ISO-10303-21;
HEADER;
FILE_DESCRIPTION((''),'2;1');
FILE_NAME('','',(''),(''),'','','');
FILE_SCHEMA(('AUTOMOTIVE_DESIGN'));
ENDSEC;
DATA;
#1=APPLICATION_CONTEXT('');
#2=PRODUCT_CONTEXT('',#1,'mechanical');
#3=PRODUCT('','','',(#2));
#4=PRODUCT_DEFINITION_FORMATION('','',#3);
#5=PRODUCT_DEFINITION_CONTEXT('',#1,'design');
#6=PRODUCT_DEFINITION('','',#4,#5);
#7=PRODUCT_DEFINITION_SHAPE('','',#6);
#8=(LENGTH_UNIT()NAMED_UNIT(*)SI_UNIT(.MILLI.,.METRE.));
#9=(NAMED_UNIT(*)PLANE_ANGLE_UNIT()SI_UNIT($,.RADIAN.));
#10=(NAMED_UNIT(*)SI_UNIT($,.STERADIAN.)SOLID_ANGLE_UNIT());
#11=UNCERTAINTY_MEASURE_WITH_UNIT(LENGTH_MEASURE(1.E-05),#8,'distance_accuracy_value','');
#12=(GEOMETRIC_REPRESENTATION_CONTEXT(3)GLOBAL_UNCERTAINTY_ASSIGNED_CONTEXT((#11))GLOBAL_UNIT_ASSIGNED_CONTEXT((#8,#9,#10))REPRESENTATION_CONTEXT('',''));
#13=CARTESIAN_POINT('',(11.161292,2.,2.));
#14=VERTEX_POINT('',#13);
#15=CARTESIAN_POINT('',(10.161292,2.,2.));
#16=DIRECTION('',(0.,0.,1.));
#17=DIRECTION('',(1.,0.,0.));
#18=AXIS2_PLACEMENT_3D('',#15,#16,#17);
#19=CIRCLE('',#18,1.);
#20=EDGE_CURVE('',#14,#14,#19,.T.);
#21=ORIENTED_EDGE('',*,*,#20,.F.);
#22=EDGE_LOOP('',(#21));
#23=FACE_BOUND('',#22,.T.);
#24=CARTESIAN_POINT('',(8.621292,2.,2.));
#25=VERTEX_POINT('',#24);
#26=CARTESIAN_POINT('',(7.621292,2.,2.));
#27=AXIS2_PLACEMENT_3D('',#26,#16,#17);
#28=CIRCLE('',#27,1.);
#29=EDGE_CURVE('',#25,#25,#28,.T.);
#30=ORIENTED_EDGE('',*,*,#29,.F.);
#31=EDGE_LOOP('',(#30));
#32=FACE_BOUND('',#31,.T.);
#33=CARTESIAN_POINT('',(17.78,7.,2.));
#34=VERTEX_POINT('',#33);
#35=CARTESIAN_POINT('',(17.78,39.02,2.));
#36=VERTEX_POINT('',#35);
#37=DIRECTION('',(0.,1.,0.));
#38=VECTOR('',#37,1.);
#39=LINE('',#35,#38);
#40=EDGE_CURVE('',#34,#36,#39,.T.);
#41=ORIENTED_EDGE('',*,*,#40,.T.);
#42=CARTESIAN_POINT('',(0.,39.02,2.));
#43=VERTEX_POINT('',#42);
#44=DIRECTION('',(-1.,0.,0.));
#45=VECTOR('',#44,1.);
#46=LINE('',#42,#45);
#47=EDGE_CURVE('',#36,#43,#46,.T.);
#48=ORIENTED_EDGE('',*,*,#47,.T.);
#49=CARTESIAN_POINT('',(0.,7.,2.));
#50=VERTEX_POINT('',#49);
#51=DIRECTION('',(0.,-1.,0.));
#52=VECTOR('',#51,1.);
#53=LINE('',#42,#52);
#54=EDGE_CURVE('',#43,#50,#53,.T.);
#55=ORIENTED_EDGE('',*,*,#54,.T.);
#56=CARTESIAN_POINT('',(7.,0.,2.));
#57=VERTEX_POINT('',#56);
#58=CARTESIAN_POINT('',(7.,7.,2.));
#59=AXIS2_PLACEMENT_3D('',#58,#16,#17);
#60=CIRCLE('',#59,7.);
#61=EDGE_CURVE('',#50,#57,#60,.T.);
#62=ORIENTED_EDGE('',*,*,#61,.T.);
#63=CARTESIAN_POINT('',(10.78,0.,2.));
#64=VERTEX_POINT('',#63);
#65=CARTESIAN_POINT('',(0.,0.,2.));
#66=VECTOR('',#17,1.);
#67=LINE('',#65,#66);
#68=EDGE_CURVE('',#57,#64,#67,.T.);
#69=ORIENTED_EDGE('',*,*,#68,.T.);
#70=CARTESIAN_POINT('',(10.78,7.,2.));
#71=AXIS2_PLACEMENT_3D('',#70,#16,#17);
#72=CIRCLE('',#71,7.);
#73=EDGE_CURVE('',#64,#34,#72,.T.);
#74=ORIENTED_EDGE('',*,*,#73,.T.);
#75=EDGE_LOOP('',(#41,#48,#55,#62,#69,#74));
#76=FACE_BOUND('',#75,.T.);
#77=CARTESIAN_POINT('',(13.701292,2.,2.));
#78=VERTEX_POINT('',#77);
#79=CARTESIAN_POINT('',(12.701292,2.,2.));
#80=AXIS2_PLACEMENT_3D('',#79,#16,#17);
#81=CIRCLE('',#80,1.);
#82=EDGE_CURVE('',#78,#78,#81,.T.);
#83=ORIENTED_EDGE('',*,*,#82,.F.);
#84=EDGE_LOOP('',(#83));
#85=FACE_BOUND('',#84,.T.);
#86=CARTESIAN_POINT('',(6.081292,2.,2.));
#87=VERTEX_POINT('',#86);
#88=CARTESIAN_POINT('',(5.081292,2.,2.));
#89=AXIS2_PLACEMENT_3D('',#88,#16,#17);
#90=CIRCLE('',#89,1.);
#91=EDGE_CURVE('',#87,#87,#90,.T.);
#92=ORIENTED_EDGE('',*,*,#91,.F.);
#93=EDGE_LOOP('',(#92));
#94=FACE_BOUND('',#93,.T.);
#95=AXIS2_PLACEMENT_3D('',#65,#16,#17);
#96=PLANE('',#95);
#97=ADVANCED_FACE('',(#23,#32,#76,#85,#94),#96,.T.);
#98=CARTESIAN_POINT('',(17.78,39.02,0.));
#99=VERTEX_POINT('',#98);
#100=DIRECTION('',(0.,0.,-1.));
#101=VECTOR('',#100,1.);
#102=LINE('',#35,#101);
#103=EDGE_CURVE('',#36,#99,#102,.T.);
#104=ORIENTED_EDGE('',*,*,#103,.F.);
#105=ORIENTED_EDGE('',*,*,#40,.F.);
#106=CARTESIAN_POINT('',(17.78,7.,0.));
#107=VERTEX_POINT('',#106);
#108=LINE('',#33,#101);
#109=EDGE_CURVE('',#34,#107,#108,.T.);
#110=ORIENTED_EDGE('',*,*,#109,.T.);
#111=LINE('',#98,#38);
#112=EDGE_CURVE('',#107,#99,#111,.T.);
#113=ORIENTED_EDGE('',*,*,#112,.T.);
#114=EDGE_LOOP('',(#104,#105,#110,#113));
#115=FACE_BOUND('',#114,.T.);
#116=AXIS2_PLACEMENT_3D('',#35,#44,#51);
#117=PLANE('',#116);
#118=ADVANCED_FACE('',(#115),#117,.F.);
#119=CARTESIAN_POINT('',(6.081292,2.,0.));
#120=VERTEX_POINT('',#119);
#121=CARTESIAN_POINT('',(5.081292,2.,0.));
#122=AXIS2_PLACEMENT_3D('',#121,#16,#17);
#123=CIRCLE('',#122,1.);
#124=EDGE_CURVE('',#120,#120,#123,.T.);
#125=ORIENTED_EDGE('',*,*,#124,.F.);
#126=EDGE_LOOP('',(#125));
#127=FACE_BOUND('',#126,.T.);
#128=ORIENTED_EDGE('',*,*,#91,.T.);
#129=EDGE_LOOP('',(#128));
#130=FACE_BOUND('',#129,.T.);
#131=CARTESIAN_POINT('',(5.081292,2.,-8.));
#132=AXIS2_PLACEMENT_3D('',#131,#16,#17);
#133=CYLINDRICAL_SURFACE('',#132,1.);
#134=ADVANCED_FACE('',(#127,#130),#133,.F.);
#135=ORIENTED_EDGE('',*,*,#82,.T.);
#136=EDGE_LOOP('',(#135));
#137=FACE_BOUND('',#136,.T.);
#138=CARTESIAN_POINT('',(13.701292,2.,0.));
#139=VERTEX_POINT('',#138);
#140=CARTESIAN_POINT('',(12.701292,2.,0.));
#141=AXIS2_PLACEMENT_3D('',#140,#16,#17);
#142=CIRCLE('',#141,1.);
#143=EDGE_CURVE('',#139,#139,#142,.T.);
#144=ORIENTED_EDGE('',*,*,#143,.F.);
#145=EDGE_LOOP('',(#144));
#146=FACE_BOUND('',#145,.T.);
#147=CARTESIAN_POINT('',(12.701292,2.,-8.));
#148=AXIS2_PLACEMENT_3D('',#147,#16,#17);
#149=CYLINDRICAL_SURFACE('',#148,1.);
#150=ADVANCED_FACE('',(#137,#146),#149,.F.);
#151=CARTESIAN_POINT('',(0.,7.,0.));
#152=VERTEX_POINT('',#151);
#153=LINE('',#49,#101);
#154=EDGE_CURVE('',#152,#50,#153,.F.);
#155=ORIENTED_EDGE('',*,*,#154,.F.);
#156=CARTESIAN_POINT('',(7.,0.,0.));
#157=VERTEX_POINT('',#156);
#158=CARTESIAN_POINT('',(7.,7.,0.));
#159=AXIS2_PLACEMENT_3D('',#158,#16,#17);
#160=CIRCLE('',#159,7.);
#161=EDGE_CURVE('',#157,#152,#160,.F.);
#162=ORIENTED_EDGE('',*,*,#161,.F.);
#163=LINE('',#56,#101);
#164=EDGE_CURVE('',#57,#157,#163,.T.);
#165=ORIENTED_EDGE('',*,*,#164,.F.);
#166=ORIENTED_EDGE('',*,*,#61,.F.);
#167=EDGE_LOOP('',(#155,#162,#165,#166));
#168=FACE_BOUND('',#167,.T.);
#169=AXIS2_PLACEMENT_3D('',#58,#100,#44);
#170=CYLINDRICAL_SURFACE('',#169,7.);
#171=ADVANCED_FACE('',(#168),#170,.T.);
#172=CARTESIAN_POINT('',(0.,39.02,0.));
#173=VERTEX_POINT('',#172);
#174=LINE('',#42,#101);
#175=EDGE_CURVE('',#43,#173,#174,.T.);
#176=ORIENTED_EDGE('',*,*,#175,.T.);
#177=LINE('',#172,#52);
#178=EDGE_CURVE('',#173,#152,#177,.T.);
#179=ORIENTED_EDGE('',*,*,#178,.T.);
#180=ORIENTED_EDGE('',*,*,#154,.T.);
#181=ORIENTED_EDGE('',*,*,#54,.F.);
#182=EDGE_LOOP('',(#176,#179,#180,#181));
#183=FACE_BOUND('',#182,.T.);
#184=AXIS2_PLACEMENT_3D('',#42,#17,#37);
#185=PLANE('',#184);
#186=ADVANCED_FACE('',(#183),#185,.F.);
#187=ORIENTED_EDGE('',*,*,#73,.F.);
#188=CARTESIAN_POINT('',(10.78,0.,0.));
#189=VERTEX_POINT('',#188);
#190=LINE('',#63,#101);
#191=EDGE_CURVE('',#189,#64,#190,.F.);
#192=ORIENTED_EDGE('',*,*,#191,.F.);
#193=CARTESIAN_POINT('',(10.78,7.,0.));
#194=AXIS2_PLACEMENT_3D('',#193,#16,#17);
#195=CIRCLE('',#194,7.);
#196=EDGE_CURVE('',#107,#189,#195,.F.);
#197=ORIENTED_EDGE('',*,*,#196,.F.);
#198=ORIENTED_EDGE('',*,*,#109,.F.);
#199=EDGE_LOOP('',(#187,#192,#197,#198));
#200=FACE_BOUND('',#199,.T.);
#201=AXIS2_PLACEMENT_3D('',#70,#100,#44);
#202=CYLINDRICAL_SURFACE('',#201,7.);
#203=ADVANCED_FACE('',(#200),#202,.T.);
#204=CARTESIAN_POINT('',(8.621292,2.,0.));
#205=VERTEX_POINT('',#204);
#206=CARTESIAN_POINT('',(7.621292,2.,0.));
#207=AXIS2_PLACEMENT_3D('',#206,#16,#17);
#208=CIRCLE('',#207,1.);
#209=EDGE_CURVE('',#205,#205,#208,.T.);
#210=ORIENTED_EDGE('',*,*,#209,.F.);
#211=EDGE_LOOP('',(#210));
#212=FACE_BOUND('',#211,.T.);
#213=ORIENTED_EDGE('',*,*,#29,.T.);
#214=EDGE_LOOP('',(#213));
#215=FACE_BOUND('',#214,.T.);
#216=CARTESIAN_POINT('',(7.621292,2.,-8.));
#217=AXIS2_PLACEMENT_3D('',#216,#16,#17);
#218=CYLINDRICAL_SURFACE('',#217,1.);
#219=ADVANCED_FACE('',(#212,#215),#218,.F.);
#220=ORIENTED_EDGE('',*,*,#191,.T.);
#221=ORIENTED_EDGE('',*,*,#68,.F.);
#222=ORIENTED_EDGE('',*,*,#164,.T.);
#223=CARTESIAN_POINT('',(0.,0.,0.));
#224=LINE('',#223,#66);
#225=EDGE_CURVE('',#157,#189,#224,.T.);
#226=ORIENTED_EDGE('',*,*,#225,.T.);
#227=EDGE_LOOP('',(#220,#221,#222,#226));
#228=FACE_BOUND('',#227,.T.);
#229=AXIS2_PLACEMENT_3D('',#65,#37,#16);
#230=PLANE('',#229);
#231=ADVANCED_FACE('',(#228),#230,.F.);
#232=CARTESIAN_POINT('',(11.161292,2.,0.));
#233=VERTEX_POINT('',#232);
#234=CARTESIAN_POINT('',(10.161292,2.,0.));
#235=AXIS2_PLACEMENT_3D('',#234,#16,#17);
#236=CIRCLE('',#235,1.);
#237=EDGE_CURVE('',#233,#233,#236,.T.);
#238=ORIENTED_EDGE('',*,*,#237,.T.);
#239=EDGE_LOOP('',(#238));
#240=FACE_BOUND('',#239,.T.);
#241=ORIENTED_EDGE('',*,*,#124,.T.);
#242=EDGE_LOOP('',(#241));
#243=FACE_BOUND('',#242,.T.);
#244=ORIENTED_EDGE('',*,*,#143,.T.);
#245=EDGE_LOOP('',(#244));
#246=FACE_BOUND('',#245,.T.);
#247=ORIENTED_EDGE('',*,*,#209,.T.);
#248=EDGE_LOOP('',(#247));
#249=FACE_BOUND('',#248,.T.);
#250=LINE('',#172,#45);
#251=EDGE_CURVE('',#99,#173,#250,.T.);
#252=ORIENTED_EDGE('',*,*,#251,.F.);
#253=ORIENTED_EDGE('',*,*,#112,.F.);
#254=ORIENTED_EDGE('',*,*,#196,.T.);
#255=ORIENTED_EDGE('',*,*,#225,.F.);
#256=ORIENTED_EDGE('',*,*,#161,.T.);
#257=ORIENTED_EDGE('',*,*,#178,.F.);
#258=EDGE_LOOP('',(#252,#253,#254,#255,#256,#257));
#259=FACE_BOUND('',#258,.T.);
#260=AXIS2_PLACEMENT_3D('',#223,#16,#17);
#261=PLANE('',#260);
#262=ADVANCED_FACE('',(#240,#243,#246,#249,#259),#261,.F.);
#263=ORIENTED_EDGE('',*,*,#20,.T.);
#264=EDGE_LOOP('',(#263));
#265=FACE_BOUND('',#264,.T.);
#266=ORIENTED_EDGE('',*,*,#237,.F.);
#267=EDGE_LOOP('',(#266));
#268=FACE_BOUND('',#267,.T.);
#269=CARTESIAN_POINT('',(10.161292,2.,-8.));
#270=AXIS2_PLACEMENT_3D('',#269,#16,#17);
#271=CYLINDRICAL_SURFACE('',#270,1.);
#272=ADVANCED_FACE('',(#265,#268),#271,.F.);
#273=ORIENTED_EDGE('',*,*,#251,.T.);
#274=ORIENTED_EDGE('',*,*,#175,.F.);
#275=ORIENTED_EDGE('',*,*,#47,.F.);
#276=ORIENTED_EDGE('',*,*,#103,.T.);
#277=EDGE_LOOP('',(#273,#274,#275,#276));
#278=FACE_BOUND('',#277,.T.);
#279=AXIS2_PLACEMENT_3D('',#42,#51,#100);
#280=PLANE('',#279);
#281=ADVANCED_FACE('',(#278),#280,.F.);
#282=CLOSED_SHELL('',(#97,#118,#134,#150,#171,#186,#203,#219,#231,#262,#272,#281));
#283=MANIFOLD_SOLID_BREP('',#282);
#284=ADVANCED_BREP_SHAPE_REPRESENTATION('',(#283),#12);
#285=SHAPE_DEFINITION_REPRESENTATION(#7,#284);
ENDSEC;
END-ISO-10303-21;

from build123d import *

# Parameters (mm, degrees)
SKETCH1_W           = 17.78
SKETCH1_H           = 39.02
BOSS_EXTRUDE1_DEPTH = 2
SKETCH2_R           = 1
CUT_EXTRUDE5_DEPTH  = 10
FILLET4_R           = 7


with BuildPart() as part:
    # Sketch1 → Boss-Extrude1 (new body)
    with BuildSketch(Plane.XY):
        with Locations((8.89, 19.51)):
            Rectangle(SKETCH1_W, SKETCH1_H)
    extrude(amount=BOSS_EXTRUDE1_DEPTH)

    # Sketch2 → Cut-Extrude5 (cut)
    with BuildSketch(Plane.XY.offset(2)):
        with Locations((5.081291963, 2)):
            Circle(SKETCH2_R)
        with Locations((7.621291963, 2)):
            Circle(SKETCH2_R)
        with Locations((10.161291963, 2)):
            Circle(SKETCH2_R)
        with Locations((12.701291963, 2)):
            Circle(SKETCH2_R)
    extrude(amount=-CUT_EXTRUDE5_DEPTH, mode=Mode.SUBTRACT)

    # Fillet4
    fillet4_edges = [part.edges().sort_by_distance(p)[0] for p in [
        (17.78, 0, 1),
        (0, 0, 1),
    ]]
    fillet(fillet4_edges, radius=FILLET4_R)


solid = part.part
